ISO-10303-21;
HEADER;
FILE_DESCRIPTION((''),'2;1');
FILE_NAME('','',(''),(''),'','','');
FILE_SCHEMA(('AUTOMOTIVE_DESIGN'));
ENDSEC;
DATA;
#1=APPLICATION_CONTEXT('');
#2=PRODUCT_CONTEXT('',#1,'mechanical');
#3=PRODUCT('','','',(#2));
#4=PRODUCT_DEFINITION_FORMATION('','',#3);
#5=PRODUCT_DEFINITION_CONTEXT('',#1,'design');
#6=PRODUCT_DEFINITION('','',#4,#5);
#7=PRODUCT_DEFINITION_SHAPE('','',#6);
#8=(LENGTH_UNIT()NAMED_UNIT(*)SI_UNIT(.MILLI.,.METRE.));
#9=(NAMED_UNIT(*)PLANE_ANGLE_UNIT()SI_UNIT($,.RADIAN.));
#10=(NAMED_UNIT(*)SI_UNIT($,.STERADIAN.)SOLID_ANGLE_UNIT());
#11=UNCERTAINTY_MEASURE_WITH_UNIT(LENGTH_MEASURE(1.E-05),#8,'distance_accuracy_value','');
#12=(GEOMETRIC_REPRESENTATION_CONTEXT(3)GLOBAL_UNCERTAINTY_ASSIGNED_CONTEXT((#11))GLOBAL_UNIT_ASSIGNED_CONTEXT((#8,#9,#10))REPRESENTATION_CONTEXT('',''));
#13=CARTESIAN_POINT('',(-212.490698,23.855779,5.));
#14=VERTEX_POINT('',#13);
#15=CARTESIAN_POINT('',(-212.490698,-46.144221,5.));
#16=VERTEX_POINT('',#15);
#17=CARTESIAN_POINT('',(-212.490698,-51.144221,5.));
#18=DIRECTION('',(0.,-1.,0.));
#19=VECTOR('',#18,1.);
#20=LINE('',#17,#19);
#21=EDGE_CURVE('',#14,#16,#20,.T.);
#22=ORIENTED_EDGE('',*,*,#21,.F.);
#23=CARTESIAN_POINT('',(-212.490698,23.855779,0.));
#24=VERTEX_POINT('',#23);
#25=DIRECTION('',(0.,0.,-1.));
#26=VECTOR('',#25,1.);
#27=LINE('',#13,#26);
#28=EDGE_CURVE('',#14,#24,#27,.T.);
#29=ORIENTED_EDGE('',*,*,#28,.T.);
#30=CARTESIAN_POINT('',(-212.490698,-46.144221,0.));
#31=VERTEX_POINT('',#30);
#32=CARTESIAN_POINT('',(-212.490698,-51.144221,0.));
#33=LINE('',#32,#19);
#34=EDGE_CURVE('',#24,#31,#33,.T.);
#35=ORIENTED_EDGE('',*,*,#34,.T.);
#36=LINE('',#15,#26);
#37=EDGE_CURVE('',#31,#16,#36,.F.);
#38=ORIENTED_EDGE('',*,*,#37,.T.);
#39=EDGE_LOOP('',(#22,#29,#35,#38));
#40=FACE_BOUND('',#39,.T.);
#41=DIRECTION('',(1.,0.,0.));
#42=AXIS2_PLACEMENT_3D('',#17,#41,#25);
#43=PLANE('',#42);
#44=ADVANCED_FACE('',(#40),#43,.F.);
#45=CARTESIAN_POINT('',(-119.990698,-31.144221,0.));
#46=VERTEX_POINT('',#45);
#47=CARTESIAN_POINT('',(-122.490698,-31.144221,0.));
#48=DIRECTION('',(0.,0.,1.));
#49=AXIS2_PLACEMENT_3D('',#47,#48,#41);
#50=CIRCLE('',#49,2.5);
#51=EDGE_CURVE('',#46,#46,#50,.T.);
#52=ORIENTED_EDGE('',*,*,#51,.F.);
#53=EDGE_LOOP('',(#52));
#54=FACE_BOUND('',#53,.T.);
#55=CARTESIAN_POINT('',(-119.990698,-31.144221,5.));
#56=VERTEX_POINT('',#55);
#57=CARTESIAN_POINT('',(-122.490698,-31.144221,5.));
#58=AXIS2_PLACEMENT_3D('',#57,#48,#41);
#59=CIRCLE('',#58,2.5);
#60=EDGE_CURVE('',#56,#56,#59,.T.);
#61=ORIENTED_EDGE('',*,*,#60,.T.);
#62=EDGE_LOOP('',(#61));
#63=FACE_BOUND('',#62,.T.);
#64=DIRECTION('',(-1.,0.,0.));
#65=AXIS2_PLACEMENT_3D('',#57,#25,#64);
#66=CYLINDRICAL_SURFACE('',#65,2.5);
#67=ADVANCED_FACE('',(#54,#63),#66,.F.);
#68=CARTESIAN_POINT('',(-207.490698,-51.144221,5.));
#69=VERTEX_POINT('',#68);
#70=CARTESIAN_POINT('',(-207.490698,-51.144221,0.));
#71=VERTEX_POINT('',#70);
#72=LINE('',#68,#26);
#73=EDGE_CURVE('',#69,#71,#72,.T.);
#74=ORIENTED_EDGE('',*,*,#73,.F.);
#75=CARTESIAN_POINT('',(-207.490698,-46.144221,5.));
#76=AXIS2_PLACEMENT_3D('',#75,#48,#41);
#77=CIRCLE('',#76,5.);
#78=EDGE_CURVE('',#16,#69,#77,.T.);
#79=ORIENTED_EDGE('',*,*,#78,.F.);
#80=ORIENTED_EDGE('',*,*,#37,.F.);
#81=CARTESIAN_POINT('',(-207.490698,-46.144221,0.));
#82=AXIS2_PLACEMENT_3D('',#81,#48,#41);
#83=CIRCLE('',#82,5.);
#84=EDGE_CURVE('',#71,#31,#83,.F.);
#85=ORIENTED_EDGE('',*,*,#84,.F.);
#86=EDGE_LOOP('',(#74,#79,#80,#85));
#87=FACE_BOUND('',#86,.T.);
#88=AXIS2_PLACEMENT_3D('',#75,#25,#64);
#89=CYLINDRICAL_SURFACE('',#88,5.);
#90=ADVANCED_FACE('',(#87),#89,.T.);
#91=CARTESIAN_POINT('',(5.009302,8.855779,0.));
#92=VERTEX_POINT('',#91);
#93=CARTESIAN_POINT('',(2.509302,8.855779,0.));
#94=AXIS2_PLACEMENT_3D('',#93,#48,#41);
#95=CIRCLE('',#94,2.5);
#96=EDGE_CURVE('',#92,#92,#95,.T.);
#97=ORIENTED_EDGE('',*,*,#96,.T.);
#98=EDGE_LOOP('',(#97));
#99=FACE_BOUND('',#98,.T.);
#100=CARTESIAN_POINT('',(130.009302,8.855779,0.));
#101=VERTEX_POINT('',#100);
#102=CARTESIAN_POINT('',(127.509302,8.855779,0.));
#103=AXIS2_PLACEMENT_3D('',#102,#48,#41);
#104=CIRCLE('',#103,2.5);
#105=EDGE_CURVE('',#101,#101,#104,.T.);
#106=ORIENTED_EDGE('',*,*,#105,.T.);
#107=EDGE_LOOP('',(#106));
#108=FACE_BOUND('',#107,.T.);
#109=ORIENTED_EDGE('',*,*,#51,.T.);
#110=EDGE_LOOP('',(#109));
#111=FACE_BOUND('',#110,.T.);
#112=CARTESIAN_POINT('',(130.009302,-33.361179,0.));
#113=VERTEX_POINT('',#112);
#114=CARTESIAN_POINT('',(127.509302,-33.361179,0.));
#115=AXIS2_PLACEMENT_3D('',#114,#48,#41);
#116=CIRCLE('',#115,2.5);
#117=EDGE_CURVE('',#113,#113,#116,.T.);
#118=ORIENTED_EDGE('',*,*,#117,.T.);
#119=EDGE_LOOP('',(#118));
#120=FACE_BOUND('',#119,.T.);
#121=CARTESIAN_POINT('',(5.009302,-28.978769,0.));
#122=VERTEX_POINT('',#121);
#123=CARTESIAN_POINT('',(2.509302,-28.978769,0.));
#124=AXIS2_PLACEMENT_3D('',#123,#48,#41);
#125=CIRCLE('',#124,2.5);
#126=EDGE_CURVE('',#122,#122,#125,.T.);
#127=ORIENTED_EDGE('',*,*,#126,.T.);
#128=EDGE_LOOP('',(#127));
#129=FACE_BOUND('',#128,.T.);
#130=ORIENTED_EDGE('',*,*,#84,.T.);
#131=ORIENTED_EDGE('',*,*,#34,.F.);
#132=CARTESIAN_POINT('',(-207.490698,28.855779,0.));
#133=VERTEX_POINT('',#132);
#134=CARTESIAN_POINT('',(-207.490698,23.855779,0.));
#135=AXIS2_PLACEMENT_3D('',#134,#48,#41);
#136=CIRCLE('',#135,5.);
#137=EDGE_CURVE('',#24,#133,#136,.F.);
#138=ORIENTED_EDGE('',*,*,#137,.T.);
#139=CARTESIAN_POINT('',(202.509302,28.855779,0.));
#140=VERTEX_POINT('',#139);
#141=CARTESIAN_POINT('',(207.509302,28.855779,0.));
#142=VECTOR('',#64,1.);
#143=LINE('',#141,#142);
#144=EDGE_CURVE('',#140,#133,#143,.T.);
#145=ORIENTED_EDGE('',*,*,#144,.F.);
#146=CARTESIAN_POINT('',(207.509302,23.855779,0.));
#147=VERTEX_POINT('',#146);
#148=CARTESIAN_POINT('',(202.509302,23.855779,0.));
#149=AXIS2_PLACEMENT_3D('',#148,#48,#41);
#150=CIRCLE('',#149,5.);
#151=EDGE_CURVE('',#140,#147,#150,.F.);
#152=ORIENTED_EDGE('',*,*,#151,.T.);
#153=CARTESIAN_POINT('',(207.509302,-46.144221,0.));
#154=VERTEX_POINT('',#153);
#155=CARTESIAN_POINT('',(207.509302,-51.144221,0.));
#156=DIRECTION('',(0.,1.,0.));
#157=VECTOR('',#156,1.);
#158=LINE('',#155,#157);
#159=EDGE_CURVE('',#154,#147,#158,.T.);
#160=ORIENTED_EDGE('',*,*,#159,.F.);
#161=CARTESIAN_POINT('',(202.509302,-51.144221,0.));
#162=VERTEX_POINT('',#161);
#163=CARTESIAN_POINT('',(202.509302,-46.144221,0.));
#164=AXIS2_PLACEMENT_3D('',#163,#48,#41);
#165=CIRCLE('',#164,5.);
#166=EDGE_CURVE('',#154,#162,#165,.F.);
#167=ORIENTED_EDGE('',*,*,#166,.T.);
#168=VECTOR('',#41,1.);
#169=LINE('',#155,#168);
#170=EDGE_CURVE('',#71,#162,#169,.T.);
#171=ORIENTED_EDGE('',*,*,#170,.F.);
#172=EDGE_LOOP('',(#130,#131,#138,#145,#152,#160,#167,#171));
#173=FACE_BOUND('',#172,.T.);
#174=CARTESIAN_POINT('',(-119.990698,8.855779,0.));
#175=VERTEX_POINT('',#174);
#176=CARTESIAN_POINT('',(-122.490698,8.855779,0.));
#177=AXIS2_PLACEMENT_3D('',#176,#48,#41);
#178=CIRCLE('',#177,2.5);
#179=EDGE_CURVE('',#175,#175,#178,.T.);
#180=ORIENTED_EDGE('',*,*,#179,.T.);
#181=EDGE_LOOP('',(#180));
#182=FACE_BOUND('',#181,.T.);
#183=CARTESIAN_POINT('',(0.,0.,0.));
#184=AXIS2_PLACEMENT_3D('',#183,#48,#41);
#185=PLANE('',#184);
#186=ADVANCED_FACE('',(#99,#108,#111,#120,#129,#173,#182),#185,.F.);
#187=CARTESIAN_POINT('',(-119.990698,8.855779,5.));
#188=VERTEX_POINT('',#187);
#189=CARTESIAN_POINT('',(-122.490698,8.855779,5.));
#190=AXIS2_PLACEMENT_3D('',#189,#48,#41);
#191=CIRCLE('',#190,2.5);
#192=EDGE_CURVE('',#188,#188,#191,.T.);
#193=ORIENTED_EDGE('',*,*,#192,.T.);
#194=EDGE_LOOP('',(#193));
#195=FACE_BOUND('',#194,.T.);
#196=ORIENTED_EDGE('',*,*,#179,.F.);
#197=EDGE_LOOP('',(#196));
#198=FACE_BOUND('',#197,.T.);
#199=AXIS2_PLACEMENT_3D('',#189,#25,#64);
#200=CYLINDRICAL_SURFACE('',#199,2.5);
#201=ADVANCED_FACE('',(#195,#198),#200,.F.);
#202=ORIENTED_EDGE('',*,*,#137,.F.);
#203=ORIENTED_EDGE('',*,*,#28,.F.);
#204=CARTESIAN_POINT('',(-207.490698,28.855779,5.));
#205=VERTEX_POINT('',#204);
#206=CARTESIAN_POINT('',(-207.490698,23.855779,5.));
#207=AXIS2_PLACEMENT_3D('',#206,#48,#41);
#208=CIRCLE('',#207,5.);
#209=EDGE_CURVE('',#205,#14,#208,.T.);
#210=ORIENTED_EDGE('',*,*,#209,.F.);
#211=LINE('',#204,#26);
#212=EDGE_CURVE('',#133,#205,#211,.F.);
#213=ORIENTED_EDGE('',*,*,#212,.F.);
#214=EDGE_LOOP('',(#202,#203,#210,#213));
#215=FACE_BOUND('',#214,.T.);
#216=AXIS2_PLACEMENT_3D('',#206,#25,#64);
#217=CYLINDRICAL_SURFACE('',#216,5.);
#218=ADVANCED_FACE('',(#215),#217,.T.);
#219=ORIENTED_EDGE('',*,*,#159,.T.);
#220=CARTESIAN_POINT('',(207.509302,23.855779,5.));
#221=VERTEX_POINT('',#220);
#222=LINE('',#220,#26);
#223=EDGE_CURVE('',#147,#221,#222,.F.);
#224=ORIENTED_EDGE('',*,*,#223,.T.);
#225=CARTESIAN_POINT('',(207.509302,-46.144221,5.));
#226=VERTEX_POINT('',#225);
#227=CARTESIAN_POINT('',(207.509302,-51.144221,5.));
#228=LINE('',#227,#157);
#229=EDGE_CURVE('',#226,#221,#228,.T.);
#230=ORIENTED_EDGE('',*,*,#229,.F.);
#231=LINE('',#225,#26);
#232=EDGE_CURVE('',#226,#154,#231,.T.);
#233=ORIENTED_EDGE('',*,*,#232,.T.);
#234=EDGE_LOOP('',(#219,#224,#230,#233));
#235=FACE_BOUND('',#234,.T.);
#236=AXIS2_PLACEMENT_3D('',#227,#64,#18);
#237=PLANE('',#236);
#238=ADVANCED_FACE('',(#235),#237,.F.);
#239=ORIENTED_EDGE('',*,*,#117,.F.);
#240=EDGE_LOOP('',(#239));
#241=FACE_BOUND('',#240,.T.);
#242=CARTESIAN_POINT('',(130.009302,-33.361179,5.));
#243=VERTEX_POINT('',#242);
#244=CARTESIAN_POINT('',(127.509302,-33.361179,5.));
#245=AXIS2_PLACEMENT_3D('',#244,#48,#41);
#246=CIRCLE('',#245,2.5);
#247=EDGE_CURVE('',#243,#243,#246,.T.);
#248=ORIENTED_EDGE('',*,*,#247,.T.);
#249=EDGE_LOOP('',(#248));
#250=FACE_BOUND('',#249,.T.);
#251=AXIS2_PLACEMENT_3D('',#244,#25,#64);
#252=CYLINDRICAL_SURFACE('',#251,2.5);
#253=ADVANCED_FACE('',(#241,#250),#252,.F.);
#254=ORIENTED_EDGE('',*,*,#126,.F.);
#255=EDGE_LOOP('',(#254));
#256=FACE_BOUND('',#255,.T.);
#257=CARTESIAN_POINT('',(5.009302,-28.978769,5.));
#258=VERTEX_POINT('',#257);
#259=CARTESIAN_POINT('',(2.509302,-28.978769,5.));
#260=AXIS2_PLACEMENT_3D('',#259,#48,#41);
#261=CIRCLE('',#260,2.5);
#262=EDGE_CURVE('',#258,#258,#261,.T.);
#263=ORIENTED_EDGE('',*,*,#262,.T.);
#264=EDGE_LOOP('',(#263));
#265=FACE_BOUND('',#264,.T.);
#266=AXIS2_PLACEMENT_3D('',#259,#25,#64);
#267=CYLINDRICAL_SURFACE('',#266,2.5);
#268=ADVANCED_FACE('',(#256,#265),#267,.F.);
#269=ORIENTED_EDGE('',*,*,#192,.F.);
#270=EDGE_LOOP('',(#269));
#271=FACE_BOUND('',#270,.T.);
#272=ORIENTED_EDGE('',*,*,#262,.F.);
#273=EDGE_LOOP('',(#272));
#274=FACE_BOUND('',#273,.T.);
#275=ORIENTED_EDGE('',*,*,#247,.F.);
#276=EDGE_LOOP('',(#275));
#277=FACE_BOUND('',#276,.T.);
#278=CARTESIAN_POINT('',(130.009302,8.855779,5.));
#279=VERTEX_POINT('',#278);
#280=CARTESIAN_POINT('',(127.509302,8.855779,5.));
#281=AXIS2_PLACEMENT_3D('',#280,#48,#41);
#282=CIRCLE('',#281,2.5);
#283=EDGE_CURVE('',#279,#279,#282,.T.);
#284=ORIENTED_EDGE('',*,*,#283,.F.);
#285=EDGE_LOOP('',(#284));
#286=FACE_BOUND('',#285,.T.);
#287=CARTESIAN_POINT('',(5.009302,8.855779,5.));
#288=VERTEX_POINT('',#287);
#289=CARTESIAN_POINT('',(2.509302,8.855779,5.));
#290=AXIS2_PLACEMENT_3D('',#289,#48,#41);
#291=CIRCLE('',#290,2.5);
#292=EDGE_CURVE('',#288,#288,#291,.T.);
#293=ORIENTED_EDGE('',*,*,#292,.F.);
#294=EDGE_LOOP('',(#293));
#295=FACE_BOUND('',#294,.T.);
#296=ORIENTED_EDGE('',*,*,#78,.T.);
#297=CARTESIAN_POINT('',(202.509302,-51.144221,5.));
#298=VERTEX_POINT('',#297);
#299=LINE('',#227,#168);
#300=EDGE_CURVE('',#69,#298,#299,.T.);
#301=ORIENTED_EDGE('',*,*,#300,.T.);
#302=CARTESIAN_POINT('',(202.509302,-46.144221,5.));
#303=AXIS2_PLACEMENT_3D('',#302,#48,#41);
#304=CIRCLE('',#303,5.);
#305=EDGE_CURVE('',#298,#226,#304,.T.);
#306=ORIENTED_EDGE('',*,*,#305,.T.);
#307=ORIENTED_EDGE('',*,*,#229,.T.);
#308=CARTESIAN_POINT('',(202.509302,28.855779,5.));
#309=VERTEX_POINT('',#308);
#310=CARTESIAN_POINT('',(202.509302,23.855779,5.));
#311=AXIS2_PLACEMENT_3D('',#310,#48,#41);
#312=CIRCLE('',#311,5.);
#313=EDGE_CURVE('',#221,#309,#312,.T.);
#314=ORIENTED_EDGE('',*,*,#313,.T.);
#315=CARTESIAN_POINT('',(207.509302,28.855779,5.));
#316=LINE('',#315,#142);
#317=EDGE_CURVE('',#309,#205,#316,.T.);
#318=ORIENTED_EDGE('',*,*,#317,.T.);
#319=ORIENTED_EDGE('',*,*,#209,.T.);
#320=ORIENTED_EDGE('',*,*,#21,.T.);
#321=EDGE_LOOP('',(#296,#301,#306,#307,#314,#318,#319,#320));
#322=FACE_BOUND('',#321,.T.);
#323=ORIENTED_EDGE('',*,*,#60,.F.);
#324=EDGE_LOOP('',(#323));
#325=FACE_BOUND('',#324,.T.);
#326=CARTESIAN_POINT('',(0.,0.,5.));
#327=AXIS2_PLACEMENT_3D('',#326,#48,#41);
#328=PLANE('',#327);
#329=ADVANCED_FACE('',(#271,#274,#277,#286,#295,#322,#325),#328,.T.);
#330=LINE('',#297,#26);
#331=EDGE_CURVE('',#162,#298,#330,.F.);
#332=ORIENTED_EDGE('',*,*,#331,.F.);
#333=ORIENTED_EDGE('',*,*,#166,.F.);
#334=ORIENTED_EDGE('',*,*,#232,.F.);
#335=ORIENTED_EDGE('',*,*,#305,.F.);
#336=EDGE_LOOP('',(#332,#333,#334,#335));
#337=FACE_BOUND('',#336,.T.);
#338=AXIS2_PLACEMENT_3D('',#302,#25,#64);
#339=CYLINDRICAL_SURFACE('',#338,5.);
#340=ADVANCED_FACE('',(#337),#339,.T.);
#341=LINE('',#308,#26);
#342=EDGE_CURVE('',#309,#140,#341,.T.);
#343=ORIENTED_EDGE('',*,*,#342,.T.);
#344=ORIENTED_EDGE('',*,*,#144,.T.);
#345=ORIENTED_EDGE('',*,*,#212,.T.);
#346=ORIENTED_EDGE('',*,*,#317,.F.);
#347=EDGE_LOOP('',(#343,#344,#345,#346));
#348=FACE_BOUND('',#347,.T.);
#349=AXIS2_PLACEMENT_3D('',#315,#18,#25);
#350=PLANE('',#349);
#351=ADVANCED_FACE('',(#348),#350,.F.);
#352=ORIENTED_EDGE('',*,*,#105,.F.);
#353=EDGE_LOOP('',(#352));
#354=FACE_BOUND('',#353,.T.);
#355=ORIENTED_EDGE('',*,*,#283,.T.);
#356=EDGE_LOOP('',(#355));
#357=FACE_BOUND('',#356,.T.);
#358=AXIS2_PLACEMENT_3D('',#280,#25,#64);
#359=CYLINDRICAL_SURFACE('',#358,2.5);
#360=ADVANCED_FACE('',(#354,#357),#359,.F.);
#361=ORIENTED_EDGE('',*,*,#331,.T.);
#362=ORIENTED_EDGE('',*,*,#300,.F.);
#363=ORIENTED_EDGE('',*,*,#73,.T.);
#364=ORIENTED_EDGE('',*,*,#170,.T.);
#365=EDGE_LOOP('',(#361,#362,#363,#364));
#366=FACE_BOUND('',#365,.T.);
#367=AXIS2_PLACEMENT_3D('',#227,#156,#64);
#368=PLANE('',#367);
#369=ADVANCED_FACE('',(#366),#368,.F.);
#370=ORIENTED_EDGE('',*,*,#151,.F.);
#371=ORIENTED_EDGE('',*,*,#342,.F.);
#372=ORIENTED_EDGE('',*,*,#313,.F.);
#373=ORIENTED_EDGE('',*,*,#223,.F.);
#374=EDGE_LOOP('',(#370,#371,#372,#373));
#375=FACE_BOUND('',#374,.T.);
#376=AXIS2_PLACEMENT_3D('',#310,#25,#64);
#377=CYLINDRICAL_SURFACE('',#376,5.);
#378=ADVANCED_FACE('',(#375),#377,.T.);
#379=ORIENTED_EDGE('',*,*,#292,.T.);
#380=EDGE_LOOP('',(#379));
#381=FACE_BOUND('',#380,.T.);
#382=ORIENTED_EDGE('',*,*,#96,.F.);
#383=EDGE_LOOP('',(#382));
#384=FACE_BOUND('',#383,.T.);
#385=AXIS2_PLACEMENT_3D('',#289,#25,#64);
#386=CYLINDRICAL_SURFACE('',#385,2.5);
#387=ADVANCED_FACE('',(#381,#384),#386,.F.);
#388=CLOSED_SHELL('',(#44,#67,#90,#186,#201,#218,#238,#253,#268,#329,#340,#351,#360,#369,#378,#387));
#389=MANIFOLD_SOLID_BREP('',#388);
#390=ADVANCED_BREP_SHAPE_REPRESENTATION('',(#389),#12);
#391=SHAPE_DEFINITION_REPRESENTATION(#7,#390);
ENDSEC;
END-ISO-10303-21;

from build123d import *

# Parameters (mm, degrees)
SKETCH1_W           = 420
SKETCH1_H           = 80
SKETCH1_R           = 2.5
BOSS_EXTRUDE1_DEPTH = 5
FILLET1_R           = 5


with BuildPart() as part:
    # Sketch1 → Boss-Extrude1 (new body)
    with BuildSketch(Plane.XY):
        with Locations((-2.490697888, -11.144221335)):
            Rectangle(SKETCH1_W, SKETCH1_H)
        with Locations((-122.490697888, -31.144221335)):
            Circle(SKETCH1_R, mode=Mode.SUBTRACT)
        with Locations((-122.490697888, 8.855778665)):
            Circle(SKETCH1_R, mode=Mode.SUBTRACT)
        with Locations((2.509302112, 8.855778665)):
            Circle(SKETCH1_R, mode=Mode.SUBTRACT)
        with Locations((2.509302112, -28.978769478)):
            Circle(SKETCH1_R, mode=Mode.SUBTRACT)
        with Locations((127.509302112, 8.855778665)):
            Circle(SKETCH1_R, mode=Mode.SUBTRACT)
        with Locations((127.509302112, -33.361178677)):
            Circle(SKETCH1_R, mode=Mode.SUBTRACT)
    extrude(amount=BOSS_EXTRUDE1_DEPTH)

    # Fillet1
    fillet1_edges = [part.edges().sort_by_distance(p)[0] for p in [
        (-212.490697888, 28.855778665, 2.5),
        (207.509302112, 28.855778665, 2.5),
        (207.509302112, -51.144221335, 2.5),
        (-212.490697888, -51.144221335, 2.5),
    ]]
    fillet(fillet1_edges, radius=FILLET1_R)


solid = part.part
